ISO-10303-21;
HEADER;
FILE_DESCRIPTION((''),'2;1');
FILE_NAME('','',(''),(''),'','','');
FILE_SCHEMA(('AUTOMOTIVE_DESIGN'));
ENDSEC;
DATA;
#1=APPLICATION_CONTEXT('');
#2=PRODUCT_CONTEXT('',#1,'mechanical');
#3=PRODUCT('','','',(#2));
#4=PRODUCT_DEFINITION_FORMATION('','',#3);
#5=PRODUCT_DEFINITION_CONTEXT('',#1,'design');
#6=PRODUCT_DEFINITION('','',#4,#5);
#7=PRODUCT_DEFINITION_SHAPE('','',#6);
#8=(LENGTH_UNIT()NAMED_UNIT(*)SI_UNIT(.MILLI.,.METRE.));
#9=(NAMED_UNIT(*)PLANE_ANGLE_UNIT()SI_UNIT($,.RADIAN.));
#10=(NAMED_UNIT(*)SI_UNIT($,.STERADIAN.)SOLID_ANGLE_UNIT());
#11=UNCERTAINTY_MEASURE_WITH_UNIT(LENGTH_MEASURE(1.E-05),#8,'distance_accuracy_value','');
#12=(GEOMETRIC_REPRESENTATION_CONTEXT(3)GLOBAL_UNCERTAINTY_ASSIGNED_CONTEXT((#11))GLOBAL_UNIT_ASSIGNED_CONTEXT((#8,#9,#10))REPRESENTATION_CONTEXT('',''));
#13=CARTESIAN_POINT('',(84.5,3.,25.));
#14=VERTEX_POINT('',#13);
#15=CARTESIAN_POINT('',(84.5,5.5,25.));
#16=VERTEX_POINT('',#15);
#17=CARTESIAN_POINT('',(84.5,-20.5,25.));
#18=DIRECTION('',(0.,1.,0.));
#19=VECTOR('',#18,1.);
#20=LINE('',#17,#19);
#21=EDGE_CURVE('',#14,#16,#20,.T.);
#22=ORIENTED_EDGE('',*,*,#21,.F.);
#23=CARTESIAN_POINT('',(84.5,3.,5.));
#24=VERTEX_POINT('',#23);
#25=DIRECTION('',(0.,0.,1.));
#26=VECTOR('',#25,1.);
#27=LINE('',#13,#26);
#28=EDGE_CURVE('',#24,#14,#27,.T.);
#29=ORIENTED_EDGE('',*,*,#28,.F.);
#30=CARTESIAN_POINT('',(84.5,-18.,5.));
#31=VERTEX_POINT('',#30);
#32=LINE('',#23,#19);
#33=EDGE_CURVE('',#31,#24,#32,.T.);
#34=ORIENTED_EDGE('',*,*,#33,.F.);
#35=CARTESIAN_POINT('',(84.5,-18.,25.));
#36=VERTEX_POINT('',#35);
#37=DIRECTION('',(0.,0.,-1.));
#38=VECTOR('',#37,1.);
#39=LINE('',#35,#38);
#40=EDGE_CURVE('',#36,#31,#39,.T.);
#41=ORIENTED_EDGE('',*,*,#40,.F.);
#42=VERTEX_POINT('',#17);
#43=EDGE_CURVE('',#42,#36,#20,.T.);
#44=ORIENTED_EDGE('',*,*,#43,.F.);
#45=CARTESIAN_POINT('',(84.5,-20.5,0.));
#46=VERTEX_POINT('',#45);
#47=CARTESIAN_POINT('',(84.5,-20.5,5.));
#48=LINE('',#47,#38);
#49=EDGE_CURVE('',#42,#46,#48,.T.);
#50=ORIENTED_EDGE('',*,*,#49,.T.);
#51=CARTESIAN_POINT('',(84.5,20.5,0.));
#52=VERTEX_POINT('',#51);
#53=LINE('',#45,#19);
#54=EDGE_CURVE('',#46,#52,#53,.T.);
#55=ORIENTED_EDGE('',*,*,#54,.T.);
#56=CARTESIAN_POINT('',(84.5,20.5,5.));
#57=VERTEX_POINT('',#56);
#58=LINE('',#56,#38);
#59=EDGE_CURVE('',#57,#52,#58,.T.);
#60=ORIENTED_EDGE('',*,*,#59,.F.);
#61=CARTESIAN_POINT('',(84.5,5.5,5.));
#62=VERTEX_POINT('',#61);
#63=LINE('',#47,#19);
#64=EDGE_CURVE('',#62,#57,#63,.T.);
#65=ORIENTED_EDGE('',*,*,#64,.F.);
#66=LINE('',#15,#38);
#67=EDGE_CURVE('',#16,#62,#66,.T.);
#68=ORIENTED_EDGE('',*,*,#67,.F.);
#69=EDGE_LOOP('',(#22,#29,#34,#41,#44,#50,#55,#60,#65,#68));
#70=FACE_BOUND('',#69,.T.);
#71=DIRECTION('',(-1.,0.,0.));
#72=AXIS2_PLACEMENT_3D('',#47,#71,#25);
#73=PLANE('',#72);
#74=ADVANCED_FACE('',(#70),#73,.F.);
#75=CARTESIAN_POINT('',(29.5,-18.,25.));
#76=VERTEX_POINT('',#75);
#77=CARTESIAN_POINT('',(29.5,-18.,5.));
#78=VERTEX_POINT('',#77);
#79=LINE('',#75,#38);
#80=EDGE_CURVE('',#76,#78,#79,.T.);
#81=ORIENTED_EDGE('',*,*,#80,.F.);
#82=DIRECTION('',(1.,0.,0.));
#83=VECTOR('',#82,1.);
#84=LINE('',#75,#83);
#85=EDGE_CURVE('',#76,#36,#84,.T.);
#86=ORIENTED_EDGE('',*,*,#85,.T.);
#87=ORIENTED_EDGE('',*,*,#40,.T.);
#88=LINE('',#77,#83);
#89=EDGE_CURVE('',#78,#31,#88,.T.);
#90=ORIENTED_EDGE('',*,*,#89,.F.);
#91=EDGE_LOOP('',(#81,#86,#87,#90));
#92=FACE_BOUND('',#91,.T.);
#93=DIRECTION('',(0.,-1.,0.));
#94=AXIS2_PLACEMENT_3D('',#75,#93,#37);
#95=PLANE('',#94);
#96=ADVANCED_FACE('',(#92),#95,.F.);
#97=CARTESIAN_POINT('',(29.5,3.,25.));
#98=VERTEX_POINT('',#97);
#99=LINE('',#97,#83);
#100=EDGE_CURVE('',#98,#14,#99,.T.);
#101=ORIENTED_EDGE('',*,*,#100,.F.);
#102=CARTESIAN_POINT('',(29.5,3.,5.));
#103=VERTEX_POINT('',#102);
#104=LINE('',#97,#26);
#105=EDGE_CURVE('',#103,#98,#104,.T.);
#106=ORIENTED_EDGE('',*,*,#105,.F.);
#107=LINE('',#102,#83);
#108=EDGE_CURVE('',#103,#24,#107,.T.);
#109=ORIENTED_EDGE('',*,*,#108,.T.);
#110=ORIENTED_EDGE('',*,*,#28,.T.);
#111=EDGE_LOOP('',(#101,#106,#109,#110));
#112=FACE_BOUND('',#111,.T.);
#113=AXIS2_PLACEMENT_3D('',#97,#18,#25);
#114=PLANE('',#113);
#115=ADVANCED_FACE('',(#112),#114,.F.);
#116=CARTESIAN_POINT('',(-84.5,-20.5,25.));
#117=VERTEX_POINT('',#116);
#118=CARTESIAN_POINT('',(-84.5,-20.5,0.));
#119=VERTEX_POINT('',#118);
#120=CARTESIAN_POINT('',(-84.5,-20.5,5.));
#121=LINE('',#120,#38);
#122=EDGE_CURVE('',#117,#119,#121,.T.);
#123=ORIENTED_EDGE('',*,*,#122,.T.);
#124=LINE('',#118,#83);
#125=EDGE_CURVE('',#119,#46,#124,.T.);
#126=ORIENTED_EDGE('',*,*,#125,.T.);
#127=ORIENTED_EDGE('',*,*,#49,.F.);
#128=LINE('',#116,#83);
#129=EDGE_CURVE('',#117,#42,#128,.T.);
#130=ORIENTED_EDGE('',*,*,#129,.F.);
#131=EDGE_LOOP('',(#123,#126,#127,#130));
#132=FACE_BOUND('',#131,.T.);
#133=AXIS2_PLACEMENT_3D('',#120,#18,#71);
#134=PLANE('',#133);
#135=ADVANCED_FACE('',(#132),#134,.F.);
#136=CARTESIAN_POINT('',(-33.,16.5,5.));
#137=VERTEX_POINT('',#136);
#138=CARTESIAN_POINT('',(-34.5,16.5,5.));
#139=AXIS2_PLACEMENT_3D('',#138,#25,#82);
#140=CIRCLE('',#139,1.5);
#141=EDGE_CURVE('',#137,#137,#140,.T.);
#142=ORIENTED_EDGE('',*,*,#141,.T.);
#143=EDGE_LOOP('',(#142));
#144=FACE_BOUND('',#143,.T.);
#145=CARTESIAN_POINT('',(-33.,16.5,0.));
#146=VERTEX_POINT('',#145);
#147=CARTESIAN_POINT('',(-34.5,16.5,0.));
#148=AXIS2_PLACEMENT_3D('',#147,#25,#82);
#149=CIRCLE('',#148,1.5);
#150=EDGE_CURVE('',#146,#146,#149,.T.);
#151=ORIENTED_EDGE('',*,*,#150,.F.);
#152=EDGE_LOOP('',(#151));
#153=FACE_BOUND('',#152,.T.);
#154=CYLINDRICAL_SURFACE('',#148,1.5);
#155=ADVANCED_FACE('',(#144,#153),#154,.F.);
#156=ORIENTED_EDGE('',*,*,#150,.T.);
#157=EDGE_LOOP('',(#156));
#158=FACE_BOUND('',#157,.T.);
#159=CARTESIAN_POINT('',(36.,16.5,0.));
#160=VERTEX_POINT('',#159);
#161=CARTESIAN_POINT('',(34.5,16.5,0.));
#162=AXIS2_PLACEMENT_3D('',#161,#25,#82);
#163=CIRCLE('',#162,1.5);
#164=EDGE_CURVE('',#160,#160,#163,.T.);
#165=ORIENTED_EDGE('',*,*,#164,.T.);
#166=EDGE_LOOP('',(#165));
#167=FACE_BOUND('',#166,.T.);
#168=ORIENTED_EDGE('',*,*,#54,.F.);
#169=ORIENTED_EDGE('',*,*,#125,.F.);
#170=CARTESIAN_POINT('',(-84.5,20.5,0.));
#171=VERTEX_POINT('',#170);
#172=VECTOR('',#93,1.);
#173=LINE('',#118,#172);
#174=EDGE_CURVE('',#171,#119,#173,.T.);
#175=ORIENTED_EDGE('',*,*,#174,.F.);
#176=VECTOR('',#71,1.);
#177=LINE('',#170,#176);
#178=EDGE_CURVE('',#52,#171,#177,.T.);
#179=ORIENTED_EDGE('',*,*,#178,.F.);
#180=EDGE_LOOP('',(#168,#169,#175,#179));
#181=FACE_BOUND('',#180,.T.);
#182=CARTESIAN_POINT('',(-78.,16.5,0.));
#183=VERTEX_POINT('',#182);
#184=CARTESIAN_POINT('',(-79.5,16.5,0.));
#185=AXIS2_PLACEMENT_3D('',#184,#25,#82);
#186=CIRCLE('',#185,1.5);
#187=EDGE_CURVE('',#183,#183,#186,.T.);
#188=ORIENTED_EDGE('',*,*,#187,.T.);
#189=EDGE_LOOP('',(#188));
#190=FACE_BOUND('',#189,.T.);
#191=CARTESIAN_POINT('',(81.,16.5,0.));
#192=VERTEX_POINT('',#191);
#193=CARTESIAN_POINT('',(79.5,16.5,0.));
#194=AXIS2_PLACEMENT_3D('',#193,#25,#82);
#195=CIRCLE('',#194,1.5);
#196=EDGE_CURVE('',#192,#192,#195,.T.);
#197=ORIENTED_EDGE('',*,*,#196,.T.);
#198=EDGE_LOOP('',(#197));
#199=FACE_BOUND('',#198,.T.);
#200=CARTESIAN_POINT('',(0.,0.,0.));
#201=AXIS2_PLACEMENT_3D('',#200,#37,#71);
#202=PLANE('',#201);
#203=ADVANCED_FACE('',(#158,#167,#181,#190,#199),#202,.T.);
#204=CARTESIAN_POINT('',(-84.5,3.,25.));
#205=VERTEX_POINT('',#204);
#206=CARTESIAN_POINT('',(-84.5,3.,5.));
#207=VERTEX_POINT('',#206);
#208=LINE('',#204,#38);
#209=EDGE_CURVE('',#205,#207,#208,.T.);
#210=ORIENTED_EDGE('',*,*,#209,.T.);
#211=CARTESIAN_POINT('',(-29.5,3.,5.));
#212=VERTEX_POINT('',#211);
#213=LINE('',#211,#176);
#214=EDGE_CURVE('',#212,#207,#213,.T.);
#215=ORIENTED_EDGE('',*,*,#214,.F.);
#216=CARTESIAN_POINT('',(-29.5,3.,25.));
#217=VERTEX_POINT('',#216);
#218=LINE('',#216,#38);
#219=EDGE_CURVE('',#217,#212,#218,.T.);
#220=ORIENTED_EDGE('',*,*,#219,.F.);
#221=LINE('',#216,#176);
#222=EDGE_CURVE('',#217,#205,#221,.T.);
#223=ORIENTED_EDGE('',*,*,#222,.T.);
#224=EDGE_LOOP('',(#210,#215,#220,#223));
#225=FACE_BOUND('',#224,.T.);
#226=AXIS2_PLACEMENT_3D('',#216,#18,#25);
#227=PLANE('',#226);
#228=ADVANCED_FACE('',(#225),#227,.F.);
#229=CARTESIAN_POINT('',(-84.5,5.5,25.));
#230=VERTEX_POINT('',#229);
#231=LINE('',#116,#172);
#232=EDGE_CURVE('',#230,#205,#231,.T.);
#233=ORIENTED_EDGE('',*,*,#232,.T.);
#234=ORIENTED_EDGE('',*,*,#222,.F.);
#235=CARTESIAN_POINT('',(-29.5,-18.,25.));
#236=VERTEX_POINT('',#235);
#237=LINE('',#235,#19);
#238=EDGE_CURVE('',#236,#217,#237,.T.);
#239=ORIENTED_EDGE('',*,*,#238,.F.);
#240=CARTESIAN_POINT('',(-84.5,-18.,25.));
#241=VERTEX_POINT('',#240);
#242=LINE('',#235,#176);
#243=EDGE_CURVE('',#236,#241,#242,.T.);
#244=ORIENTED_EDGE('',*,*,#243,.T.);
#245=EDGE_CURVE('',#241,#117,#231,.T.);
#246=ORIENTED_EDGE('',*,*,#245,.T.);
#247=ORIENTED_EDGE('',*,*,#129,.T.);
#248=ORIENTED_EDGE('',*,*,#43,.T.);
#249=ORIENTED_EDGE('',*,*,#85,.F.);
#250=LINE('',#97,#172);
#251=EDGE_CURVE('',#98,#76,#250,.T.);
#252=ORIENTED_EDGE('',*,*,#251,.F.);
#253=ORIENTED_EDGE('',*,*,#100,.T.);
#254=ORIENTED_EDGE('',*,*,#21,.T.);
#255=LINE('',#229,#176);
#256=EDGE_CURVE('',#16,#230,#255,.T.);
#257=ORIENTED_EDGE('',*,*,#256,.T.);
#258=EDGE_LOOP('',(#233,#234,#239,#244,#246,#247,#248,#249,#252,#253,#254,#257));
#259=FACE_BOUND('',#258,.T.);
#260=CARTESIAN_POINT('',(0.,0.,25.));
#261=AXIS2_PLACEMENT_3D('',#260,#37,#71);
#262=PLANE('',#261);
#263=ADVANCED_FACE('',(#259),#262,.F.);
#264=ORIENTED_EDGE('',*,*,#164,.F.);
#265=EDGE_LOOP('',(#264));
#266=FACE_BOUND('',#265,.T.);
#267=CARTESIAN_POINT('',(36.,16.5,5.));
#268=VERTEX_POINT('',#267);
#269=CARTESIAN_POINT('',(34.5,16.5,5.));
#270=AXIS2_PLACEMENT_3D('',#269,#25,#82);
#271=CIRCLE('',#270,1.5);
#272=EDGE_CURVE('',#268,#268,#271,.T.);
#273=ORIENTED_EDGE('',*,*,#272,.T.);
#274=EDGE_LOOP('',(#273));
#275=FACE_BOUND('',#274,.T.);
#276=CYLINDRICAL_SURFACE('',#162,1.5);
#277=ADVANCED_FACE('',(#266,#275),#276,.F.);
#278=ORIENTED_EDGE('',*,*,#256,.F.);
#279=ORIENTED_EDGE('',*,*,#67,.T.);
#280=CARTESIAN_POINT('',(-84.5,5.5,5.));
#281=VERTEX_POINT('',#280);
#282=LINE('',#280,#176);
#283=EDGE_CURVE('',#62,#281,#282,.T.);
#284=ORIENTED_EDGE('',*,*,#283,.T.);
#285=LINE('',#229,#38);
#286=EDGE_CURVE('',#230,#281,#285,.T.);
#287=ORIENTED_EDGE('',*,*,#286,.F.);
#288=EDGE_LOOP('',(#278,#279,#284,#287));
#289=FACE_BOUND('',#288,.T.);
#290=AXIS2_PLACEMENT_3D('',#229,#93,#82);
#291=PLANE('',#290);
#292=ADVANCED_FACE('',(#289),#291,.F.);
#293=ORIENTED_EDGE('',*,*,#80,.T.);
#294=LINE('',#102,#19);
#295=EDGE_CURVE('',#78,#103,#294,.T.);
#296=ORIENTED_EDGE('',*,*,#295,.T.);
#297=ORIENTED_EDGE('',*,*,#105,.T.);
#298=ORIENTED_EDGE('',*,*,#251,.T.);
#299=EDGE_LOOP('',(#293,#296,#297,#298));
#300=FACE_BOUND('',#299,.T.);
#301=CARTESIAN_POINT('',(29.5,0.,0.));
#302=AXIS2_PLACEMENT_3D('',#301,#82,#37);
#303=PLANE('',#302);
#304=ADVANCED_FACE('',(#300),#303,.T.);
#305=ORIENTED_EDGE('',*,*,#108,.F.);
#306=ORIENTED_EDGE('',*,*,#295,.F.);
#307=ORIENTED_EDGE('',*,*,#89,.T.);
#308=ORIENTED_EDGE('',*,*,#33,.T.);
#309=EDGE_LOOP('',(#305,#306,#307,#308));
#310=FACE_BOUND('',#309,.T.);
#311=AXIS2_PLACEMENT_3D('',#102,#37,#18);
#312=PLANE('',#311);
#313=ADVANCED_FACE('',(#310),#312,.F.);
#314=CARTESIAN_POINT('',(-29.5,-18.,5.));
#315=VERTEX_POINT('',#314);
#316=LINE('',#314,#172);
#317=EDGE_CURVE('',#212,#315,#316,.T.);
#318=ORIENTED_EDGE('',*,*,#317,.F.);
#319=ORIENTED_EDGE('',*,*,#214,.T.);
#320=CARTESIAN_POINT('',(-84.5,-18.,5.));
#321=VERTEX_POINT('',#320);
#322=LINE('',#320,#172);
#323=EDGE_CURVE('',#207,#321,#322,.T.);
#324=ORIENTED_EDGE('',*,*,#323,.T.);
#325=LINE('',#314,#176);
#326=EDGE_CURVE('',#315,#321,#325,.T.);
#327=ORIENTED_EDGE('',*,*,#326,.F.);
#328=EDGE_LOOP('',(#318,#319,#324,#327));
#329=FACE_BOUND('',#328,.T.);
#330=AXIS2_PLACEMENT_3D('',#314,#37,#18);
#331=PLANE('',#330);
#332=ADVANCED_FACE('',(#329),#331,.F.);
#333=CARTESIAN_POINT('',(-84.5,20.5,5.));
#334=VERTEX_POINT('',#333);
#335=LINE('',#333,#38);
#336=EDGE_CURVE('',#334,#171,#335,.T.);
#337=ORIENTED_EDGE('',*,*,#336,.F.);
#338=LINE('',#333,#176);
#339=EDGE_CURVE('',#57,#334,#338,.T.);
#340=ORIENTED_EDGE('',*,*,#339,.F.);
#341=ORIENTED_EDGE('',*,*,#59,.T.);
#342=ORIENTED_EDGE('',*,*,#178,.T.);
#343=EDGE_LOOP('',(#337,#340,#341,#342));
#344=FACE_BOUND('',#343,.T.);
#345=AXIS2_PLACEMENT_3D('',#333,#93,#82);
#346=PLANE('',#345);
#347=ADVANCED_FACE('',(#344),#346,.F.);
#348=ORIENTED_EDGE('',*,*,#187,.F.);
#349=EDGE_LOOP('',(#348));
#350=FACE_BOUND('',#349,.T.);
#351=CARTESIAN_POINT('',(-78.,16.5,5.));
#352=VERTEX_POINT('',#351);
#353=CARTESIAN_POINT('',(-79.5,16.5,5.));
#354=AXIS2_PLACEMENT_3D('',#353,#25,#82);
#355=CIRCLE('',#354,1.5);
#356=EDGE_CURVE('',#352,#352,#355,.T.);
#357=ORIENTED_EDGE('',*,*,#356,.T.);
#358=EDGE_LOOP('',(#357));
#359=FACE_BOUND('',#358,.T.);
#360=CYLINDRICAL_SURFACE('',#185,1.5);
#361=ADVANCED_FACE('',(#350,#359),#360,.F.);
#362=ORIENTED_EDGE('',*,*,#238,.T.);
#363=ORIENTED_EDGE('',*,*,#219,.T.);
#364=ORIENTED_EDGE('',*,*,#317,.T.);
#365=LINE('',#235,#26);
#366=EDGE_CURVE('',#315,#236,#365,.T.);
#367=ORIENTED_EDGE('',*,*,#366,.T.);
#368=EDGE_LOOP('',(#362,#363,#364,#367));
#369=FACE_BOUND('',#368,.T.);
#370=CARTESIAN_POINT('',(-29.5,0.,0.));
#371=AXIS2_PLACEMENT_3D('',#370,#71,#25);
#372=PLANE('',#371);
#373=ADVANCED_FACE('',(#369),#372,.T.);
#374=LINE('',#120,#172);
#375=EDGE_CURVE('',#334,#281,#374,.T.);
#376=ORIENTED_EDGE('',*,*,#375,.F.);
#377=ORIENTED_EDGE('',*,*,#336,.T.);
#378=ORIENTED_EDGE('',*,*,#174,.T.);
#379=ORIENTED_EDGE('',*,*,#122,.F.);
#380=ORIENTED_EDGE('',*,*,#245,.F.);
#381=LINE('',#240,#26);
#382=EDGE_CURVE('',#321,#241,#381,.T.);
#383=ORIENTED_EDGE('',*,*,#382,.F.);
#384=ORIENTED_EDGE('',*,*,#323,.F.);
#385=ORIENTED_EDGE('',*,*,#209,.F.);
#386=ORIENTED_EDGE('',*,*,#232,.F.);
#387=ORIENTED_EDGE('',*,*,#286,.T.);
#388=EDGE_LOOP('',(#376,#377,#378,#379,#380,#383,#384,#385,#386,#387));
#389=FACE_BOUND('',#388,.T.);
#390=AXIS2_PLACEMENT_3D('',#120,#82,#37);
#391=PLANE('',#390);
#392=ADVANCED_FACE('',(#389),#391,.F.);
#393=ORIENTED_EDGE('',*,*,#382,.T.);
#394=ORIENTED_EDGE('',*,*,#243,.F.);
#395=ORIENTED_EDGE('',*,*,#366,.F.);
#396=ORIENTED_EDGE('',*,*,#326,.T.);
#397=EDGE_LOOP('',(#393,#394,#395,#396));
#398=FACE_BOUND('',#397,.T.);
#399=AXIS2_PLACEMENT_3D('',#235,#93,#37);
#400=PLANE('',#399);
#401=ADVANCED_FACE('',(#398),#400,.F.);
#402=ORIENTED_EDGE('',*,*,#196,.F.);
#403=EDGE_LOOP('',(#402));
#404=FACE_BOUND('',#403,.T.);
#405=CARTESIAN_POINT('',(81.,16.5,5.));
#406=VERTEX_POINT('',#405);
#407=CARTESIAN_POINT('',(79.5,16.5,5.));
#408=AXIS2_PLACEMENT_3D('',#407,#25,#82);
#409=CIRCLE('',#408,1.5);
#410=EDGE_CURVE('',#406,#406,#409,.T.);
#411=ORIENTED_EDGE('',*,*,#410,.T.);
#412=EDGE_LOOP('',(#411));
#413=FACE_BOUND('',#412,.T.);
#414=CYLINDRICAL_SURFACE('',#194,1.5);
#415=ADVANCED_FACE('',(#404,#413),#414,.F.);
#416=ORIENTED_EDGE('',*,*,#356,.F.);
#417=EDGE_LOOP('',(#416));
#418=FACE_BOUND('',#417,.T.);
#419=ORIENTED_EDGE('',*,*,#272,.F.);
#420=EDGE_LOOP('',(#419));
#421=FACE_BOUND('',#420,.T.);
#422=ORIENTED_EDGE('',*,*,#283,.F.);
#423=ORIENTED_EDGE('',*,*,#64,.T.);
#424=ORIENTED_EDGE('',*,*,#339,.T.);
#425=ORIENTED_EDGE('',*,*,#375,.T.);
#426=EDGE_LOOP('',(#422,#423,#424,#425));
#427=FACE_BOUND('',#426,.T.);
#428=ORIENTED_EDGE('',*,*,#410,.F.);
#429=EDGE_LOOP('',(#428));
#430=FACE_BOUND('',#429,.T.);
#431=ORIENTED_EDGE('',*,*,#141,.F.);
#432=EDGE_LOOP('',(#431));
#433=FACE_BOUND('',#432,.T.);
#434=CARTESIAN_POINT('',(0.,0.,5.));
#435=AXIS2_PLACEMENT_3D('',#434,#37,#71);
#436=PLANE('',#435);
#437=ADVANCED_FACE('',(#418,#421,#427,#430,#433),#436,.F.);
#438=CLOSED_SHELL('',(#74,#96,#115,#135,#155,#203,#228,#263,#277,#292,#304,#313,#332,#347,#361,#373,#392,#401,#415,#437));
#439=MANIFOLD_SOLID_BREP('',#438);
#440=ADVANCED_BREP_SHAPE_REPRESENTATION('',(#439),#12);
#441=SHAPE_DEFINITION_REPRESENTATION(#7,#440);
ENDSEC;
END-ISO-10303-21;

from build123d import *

# Parameters (mm, degrees)
SKETCH_1_W          = 169
SKETCH_1_H          = 41
EXTRUDE_2_DEPTH     = 5
SKETCH_3_R          = 1.5
CUT_EXTRUDE_1_DEPTH = 5
SKETCH_4_W          = 169
SKETCH_4_H          = 26
EXTRUDE_3_DEPTH     = 20
SKETCH_5_W          = 20
SKETCH_5_H          = 21
CUT_EXTRUDE_2_DEPTH = 55
SKETCH_6_W          = 20
SKETCH_6_H          = 21
CUT_EXTRUDE_3_DEPTH = 55


with BuildPart() as part:
    # Эскиз1 → Бобышка-Вытянуть2 (new body)
    with BuildSketch(Plane.XY):
        Rectangle(SKETCH_1_W, SKETCH_1_H)
    extrude(amount=EXTRUDE_2_DEPTH)

    # Эскиз3 → Вырез-Вытянуть1 (cut)
    with BuildSketch(Plane.XY.offset(5)):
        with Locations((79.5, 16.5)):
            Circle(SKETCH_3_R)
        with Locations((34.5, 16.5)):
            Circle(SKETCH_3_R)
        with Locations((-34.5, 16.5)):
            Circle(SKETCH_3_R)
        with Locations((-79.5, 16.5)):
            Circle(SKETCH_3_R)
    extrude(amount=-CUT_EXTRUDE_1_DEPTH, mode=Mode.SUBTRACT)

    # Эскиз4 → Бобышка-Вытянуть3 (add)
    with BuildSketch(Plane.XY.offset(5)):
        with Locations((0, -7.5)):
            Rectangle(SKETCH_4_W, SKETCH_4_H)
    extrude(amount=EXTRUDE_3_DEPTH)

    # Эскиз5 → Вырез-Вытянуть2 (cut)
    with BuildSketch(Plane.ZY.offset(84.5)):
        with Locations((15, -7.5)):
            Rectangle(SKETCH_5_W, SKETCH_5_H)
    extrude(amount=-CUT_EXTRUDE_2_DEPTH, mode=Mode.SUBTRACT)

    # Эскиз6 → Вырез-Вытянуть3 (cut)
    with BuildSketch(Plane(origin=(84.5, 0, 0), x_dir=(0, 0, -1), z_dir=(1, 0, 0))):
        with Locations((-15, -7.5)):
            Rectangle(SKETCH_6_W, SKETCH_6_H)
    extrude(amount=-CUT_EXTRUDE_3_DEPTH, mode=Mode.SUBTRACT)


solid = part.part
